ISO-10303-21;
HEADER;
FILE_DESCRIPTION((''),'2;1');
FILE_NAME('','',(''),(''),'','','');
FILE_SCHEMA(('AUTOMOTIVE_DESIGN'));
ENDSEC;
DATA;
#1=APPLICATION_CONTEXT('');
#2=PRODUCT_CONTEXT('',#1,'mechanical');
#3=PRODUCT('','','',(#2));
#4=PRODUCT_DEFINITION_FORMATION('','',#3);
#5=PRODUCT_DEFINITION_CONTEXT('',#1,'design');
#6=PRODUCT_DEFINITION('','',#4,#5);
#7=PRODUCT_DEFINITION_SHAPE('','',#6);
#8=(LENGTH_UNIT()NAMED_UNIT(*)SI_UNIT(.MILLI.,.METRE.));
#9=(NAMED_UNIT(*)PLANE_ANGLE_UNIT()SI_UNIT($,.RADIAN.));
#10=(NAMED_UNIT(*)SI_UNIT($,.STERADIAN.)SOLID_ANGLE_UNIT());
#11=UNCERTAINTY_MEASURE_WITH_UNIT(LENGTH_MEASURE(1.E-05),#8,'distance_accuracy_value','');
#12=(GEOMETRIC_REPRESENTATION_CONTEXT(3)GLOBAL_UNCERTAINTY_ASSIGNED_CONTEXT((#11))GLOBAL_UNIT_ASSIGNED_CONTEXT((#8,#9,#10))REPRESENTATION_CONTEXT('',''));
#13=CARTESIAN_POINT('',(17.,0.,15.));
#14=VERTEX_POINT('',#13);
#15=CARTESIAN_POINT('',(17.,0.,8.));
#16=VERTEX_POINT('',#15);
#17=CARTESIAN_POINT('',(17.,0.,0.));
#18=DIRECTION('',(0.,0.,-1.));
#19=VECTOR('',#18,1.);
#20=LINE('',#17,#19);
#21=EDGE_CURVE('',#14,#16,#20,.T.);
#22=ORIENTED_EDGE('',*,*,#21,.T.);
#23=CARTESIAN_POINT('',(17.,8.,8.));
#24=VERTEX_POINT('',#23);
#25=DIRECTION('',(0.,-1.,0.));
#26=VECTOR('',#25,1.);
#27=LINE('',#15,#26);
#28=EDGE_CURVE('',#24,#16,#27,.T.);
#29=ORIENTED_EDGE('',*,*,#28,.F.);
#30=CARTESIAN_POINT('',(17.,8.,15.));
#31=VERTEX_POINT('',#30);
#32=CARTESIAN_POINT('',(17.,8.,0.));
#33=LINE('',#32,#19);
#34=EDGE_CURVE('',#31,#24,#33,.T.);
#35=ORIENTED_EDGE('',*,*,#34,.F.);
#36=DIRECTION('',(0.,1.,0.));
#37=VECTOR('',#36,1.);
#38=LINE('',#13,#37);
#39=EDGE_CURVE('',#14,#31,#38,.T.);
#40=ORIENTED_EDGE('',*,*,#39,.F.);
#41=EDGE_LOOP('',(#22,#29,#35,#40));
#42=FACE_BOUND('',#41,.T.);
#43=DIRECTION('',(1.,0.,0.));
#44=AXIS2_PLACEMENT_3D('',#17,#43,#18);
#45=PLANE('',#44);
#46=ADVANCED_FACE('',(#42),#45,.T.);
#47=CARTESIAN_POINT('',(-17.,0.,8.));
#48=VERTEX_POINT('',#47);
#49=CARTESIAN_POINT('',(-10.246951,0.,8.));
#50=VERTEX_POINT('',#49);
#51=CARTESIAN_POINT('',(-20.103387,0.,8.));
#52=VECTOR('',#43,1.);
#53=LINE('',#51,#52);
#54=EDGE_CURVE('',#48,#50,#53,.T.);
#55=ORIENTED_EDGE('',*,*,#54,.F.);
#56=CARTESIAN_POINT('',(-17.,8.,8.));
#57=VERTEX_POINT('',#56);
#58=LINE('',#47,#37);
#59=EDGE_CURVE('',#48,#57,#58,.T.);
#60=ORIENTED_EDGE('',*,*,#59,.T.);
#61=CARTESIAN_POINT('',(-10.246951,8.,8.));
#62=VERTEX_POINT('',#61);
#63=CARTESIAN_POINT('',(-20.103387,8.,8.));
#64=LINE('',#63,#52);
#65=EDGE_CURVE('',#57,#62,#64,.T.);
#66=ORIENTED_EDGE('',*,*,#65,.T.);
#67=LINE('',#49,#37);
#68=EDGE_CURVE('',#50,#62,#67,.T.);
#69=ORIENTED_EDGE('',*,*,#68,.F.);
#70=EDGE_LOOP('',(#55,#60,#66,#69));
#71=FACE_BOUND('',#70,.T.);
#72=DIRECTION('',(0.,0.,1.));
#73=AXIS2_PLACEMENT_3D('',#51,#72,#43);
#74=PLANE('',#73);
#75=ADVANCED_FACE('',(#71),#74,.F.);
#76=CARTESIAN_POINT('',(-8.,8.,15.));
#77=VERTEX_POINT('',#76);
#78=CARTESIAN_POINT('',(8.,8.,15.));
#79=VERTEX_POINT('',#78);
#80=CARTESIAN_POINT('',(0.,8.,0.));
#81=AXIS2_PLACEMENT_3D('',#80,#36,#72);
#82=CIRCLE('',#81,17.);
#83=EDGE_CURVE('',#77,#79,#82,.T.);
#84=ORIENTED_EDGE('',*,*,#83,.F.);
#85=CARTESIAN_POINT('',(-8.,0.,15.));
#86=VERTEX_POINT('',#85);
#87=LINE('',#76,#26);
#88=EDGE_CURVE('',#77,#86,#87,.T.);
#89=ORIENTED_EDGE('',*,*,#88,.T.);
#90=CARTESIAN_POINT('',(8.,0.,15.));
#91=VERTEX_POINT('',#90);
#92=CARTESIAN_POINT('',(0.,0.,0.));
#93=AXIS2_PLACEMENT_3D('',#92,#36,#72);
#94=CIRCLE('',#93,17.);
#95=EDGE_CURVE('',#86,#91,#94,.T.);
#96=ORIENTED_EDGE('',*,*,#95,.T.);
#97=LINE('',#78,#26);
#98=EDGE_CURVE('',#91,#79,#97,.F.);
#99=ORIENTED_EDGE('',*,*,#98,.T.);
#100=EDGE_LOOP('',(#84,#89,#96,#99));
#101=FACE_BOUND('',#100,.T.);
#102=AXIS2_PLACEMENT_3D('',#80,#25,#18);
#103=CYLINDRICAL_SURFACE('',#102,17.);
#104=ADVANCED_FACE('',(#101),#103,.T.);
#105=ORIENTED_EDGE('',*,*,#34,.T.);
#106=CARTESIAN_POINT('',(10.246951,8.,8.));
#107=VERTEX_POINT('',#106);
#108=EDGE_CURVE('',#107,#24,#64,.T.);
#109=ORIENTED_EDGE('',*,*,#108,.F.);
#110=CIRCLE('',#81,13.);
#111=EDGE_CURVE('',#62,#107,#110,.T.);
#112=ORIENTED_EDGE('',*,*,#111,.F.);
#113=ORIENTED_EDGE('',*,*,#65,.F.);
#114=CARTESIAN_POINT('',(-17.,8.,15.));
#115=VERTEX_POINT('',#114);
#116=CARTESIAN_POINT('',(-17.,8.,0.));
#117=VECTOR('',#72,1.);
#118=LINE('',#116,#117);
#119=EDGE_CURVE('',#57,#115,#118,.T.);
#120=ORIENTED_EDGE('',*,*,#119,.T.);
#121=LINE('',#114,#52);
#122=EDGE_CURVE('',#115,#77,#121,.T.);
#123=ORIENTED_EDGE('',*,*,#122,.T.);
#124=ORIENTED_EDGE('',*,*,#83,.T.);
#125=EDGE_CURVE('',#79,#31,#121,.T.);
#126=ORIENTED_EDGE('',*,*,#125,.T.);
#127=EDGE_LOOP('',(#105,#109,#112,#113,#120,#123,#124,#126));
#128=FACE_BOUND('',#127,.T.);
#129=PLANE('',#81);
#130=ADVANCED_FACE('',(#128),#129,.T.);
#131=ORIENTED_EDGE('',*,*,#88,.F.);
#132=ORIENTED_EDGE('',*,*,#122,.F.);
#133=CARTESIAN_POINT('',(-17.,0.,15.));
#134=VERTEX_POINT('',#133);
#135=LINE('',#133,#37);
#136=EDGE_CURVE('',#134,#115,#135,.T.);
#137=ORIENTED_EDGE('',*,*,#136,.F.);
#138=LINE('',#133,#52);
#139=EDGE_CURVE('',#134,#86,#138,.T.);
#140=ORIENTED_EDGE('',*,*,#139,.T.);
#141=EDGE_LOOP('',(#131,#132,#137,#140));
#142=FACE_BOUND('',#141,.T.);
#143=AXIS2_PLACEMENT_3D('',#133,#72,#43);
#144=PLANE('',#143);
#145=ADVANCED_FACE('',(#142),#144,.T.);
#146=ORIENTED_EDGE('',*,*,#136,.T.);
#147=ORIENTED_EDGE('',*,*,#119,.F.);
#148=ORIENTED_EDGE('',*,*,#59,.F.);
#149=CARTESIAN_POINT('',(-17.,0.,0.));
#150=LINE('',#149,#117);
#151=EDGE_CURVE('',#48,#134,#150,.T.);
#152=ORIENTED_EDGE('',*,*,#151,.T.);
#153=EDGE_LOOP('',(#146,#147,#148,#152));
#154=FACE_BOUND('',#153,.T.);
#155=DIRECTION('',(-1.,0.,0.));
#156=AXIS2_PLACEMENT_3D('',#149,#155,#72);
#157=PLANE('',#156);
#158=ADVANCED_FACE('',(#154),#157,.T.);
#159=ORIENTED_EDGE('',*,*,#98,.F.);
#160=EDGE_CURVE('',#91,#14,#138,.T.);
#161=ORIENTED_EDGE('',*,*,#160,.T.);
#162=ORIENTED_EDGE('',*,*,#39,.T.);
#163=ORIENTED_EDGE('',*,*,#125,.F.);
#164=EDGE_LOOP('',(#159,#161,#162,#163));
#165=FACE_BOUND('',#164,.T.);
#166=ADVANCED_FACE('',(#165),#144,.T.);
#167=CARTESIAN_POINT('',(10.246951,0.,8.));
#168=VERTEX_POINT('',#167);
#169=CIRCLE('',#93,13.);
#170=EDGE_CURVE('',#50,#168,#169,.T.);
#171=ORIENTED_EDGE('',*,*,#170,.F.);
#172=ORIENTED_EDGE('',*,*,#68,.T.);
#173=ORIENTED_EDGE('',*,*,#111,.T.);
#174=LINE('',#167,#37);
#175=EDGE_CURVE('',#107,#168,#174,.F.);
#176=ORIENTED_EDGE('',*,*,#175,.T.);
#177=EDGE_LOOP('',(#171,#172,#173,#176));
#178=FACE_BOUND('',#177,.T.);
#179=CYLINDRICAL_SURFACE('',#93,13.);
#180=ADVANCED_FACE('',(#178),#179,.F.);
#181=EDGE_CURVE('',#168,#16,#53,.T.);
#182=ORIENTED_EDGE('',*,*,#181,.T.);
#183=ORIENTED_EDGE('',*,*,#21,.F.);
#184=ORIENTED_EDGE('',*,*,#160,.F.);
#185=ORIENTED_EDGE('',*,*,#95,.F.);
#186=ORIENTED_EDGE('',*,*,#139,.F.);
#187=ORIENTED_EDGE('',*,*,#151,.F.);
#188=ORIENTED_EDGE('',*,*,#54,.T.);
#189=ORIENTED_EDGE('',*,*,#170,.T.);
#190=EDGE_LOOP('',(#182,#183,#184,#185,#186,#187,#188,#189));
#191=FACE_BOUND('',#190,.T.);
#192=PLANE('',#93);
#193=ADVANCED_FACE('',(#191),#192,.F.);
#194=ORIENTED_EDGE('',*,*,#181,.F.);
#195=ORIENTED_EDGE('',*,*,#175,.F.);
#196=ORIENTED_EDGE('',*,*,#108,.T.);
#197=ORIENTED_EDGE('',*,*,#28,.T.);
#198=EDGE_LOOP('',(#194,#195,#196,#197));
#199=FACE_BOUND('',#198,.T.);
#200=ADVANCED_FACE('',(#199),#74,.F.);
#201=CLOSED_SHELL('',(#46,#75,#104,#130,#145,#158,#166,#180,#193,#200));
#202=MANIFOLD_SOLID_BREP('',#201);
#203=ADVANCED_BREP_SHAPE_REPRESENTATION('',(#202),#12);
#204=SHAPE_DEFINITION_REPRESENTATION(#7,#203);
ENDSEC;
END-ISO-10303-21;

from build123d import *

# Parameters (mm, degrees)
SKETCH_3_R          = 17
EXTRUDE_2_DEPTH     = 8
SKETCH_6_W          = 34
SKETCH_6_H          = 15
EXTRUDE_3_DEPTH     = 8
SKETCH_4_R          = 13
CUT_EXTRUDE_1_DEPTH = 8
SKETCH_5_W          = 39.282271498
SKETCH_5_H          = 26.093650735
CUT_EXTRUDE_2_DEPTH = 8


with BuildPart() as part:
    # 스케치3 → 보스-돌출2 (new body)
    with BuildSketch(Plane(origin=(0, 0, 0), x_dir=(1, 0, 0), z_dir=(0, 1, 0))):
        Circle(SKETCH_3_R)
    extrude(amount=EXTRUDE_2_DEPTH)

    # 스케치6 → 보스-돌출3 (add)
    with BuildSketch(Plane(origin=(0, 8, 0), x_dir=(1, 0, 0), z_dir=(0, 1, 0))):
        with Locations((0, -7.5)):
            Rectangle(SKETCH_6_W, SKETCH_6_H)
    extrude(amount=-EXTRUDE_3_DEPTH)

    # 스케치4 → 컷-돌출1 (cut)
    with BuildSketch(Plane(origin=(0, 8, 0), x_dir=(1, 0, 0), z_dir=(0, 1, 0))):
        Circle(SKETCH_4_R)
    extrude(amount=-CUT_EXTRUDE_1_DEPTH, mode=Mode.SUBTRACT)

    # 스케치5 → 컷-돌출2 (cut)
    with BuildSketch(Plane(origin=(0, 8, 0), x_dir=(1, 0, 0), z_dir=(0, 1, 0))):
        with Locations((-0.462251139, 5.046825368)):
            Rectangle(SKETCH_5_W, SKETCH_5_H)
    extrude(amount=-CUT_EXTRUDE_2_DEPTH, mode=Mode.SUBTRACT)


solid = part.part
